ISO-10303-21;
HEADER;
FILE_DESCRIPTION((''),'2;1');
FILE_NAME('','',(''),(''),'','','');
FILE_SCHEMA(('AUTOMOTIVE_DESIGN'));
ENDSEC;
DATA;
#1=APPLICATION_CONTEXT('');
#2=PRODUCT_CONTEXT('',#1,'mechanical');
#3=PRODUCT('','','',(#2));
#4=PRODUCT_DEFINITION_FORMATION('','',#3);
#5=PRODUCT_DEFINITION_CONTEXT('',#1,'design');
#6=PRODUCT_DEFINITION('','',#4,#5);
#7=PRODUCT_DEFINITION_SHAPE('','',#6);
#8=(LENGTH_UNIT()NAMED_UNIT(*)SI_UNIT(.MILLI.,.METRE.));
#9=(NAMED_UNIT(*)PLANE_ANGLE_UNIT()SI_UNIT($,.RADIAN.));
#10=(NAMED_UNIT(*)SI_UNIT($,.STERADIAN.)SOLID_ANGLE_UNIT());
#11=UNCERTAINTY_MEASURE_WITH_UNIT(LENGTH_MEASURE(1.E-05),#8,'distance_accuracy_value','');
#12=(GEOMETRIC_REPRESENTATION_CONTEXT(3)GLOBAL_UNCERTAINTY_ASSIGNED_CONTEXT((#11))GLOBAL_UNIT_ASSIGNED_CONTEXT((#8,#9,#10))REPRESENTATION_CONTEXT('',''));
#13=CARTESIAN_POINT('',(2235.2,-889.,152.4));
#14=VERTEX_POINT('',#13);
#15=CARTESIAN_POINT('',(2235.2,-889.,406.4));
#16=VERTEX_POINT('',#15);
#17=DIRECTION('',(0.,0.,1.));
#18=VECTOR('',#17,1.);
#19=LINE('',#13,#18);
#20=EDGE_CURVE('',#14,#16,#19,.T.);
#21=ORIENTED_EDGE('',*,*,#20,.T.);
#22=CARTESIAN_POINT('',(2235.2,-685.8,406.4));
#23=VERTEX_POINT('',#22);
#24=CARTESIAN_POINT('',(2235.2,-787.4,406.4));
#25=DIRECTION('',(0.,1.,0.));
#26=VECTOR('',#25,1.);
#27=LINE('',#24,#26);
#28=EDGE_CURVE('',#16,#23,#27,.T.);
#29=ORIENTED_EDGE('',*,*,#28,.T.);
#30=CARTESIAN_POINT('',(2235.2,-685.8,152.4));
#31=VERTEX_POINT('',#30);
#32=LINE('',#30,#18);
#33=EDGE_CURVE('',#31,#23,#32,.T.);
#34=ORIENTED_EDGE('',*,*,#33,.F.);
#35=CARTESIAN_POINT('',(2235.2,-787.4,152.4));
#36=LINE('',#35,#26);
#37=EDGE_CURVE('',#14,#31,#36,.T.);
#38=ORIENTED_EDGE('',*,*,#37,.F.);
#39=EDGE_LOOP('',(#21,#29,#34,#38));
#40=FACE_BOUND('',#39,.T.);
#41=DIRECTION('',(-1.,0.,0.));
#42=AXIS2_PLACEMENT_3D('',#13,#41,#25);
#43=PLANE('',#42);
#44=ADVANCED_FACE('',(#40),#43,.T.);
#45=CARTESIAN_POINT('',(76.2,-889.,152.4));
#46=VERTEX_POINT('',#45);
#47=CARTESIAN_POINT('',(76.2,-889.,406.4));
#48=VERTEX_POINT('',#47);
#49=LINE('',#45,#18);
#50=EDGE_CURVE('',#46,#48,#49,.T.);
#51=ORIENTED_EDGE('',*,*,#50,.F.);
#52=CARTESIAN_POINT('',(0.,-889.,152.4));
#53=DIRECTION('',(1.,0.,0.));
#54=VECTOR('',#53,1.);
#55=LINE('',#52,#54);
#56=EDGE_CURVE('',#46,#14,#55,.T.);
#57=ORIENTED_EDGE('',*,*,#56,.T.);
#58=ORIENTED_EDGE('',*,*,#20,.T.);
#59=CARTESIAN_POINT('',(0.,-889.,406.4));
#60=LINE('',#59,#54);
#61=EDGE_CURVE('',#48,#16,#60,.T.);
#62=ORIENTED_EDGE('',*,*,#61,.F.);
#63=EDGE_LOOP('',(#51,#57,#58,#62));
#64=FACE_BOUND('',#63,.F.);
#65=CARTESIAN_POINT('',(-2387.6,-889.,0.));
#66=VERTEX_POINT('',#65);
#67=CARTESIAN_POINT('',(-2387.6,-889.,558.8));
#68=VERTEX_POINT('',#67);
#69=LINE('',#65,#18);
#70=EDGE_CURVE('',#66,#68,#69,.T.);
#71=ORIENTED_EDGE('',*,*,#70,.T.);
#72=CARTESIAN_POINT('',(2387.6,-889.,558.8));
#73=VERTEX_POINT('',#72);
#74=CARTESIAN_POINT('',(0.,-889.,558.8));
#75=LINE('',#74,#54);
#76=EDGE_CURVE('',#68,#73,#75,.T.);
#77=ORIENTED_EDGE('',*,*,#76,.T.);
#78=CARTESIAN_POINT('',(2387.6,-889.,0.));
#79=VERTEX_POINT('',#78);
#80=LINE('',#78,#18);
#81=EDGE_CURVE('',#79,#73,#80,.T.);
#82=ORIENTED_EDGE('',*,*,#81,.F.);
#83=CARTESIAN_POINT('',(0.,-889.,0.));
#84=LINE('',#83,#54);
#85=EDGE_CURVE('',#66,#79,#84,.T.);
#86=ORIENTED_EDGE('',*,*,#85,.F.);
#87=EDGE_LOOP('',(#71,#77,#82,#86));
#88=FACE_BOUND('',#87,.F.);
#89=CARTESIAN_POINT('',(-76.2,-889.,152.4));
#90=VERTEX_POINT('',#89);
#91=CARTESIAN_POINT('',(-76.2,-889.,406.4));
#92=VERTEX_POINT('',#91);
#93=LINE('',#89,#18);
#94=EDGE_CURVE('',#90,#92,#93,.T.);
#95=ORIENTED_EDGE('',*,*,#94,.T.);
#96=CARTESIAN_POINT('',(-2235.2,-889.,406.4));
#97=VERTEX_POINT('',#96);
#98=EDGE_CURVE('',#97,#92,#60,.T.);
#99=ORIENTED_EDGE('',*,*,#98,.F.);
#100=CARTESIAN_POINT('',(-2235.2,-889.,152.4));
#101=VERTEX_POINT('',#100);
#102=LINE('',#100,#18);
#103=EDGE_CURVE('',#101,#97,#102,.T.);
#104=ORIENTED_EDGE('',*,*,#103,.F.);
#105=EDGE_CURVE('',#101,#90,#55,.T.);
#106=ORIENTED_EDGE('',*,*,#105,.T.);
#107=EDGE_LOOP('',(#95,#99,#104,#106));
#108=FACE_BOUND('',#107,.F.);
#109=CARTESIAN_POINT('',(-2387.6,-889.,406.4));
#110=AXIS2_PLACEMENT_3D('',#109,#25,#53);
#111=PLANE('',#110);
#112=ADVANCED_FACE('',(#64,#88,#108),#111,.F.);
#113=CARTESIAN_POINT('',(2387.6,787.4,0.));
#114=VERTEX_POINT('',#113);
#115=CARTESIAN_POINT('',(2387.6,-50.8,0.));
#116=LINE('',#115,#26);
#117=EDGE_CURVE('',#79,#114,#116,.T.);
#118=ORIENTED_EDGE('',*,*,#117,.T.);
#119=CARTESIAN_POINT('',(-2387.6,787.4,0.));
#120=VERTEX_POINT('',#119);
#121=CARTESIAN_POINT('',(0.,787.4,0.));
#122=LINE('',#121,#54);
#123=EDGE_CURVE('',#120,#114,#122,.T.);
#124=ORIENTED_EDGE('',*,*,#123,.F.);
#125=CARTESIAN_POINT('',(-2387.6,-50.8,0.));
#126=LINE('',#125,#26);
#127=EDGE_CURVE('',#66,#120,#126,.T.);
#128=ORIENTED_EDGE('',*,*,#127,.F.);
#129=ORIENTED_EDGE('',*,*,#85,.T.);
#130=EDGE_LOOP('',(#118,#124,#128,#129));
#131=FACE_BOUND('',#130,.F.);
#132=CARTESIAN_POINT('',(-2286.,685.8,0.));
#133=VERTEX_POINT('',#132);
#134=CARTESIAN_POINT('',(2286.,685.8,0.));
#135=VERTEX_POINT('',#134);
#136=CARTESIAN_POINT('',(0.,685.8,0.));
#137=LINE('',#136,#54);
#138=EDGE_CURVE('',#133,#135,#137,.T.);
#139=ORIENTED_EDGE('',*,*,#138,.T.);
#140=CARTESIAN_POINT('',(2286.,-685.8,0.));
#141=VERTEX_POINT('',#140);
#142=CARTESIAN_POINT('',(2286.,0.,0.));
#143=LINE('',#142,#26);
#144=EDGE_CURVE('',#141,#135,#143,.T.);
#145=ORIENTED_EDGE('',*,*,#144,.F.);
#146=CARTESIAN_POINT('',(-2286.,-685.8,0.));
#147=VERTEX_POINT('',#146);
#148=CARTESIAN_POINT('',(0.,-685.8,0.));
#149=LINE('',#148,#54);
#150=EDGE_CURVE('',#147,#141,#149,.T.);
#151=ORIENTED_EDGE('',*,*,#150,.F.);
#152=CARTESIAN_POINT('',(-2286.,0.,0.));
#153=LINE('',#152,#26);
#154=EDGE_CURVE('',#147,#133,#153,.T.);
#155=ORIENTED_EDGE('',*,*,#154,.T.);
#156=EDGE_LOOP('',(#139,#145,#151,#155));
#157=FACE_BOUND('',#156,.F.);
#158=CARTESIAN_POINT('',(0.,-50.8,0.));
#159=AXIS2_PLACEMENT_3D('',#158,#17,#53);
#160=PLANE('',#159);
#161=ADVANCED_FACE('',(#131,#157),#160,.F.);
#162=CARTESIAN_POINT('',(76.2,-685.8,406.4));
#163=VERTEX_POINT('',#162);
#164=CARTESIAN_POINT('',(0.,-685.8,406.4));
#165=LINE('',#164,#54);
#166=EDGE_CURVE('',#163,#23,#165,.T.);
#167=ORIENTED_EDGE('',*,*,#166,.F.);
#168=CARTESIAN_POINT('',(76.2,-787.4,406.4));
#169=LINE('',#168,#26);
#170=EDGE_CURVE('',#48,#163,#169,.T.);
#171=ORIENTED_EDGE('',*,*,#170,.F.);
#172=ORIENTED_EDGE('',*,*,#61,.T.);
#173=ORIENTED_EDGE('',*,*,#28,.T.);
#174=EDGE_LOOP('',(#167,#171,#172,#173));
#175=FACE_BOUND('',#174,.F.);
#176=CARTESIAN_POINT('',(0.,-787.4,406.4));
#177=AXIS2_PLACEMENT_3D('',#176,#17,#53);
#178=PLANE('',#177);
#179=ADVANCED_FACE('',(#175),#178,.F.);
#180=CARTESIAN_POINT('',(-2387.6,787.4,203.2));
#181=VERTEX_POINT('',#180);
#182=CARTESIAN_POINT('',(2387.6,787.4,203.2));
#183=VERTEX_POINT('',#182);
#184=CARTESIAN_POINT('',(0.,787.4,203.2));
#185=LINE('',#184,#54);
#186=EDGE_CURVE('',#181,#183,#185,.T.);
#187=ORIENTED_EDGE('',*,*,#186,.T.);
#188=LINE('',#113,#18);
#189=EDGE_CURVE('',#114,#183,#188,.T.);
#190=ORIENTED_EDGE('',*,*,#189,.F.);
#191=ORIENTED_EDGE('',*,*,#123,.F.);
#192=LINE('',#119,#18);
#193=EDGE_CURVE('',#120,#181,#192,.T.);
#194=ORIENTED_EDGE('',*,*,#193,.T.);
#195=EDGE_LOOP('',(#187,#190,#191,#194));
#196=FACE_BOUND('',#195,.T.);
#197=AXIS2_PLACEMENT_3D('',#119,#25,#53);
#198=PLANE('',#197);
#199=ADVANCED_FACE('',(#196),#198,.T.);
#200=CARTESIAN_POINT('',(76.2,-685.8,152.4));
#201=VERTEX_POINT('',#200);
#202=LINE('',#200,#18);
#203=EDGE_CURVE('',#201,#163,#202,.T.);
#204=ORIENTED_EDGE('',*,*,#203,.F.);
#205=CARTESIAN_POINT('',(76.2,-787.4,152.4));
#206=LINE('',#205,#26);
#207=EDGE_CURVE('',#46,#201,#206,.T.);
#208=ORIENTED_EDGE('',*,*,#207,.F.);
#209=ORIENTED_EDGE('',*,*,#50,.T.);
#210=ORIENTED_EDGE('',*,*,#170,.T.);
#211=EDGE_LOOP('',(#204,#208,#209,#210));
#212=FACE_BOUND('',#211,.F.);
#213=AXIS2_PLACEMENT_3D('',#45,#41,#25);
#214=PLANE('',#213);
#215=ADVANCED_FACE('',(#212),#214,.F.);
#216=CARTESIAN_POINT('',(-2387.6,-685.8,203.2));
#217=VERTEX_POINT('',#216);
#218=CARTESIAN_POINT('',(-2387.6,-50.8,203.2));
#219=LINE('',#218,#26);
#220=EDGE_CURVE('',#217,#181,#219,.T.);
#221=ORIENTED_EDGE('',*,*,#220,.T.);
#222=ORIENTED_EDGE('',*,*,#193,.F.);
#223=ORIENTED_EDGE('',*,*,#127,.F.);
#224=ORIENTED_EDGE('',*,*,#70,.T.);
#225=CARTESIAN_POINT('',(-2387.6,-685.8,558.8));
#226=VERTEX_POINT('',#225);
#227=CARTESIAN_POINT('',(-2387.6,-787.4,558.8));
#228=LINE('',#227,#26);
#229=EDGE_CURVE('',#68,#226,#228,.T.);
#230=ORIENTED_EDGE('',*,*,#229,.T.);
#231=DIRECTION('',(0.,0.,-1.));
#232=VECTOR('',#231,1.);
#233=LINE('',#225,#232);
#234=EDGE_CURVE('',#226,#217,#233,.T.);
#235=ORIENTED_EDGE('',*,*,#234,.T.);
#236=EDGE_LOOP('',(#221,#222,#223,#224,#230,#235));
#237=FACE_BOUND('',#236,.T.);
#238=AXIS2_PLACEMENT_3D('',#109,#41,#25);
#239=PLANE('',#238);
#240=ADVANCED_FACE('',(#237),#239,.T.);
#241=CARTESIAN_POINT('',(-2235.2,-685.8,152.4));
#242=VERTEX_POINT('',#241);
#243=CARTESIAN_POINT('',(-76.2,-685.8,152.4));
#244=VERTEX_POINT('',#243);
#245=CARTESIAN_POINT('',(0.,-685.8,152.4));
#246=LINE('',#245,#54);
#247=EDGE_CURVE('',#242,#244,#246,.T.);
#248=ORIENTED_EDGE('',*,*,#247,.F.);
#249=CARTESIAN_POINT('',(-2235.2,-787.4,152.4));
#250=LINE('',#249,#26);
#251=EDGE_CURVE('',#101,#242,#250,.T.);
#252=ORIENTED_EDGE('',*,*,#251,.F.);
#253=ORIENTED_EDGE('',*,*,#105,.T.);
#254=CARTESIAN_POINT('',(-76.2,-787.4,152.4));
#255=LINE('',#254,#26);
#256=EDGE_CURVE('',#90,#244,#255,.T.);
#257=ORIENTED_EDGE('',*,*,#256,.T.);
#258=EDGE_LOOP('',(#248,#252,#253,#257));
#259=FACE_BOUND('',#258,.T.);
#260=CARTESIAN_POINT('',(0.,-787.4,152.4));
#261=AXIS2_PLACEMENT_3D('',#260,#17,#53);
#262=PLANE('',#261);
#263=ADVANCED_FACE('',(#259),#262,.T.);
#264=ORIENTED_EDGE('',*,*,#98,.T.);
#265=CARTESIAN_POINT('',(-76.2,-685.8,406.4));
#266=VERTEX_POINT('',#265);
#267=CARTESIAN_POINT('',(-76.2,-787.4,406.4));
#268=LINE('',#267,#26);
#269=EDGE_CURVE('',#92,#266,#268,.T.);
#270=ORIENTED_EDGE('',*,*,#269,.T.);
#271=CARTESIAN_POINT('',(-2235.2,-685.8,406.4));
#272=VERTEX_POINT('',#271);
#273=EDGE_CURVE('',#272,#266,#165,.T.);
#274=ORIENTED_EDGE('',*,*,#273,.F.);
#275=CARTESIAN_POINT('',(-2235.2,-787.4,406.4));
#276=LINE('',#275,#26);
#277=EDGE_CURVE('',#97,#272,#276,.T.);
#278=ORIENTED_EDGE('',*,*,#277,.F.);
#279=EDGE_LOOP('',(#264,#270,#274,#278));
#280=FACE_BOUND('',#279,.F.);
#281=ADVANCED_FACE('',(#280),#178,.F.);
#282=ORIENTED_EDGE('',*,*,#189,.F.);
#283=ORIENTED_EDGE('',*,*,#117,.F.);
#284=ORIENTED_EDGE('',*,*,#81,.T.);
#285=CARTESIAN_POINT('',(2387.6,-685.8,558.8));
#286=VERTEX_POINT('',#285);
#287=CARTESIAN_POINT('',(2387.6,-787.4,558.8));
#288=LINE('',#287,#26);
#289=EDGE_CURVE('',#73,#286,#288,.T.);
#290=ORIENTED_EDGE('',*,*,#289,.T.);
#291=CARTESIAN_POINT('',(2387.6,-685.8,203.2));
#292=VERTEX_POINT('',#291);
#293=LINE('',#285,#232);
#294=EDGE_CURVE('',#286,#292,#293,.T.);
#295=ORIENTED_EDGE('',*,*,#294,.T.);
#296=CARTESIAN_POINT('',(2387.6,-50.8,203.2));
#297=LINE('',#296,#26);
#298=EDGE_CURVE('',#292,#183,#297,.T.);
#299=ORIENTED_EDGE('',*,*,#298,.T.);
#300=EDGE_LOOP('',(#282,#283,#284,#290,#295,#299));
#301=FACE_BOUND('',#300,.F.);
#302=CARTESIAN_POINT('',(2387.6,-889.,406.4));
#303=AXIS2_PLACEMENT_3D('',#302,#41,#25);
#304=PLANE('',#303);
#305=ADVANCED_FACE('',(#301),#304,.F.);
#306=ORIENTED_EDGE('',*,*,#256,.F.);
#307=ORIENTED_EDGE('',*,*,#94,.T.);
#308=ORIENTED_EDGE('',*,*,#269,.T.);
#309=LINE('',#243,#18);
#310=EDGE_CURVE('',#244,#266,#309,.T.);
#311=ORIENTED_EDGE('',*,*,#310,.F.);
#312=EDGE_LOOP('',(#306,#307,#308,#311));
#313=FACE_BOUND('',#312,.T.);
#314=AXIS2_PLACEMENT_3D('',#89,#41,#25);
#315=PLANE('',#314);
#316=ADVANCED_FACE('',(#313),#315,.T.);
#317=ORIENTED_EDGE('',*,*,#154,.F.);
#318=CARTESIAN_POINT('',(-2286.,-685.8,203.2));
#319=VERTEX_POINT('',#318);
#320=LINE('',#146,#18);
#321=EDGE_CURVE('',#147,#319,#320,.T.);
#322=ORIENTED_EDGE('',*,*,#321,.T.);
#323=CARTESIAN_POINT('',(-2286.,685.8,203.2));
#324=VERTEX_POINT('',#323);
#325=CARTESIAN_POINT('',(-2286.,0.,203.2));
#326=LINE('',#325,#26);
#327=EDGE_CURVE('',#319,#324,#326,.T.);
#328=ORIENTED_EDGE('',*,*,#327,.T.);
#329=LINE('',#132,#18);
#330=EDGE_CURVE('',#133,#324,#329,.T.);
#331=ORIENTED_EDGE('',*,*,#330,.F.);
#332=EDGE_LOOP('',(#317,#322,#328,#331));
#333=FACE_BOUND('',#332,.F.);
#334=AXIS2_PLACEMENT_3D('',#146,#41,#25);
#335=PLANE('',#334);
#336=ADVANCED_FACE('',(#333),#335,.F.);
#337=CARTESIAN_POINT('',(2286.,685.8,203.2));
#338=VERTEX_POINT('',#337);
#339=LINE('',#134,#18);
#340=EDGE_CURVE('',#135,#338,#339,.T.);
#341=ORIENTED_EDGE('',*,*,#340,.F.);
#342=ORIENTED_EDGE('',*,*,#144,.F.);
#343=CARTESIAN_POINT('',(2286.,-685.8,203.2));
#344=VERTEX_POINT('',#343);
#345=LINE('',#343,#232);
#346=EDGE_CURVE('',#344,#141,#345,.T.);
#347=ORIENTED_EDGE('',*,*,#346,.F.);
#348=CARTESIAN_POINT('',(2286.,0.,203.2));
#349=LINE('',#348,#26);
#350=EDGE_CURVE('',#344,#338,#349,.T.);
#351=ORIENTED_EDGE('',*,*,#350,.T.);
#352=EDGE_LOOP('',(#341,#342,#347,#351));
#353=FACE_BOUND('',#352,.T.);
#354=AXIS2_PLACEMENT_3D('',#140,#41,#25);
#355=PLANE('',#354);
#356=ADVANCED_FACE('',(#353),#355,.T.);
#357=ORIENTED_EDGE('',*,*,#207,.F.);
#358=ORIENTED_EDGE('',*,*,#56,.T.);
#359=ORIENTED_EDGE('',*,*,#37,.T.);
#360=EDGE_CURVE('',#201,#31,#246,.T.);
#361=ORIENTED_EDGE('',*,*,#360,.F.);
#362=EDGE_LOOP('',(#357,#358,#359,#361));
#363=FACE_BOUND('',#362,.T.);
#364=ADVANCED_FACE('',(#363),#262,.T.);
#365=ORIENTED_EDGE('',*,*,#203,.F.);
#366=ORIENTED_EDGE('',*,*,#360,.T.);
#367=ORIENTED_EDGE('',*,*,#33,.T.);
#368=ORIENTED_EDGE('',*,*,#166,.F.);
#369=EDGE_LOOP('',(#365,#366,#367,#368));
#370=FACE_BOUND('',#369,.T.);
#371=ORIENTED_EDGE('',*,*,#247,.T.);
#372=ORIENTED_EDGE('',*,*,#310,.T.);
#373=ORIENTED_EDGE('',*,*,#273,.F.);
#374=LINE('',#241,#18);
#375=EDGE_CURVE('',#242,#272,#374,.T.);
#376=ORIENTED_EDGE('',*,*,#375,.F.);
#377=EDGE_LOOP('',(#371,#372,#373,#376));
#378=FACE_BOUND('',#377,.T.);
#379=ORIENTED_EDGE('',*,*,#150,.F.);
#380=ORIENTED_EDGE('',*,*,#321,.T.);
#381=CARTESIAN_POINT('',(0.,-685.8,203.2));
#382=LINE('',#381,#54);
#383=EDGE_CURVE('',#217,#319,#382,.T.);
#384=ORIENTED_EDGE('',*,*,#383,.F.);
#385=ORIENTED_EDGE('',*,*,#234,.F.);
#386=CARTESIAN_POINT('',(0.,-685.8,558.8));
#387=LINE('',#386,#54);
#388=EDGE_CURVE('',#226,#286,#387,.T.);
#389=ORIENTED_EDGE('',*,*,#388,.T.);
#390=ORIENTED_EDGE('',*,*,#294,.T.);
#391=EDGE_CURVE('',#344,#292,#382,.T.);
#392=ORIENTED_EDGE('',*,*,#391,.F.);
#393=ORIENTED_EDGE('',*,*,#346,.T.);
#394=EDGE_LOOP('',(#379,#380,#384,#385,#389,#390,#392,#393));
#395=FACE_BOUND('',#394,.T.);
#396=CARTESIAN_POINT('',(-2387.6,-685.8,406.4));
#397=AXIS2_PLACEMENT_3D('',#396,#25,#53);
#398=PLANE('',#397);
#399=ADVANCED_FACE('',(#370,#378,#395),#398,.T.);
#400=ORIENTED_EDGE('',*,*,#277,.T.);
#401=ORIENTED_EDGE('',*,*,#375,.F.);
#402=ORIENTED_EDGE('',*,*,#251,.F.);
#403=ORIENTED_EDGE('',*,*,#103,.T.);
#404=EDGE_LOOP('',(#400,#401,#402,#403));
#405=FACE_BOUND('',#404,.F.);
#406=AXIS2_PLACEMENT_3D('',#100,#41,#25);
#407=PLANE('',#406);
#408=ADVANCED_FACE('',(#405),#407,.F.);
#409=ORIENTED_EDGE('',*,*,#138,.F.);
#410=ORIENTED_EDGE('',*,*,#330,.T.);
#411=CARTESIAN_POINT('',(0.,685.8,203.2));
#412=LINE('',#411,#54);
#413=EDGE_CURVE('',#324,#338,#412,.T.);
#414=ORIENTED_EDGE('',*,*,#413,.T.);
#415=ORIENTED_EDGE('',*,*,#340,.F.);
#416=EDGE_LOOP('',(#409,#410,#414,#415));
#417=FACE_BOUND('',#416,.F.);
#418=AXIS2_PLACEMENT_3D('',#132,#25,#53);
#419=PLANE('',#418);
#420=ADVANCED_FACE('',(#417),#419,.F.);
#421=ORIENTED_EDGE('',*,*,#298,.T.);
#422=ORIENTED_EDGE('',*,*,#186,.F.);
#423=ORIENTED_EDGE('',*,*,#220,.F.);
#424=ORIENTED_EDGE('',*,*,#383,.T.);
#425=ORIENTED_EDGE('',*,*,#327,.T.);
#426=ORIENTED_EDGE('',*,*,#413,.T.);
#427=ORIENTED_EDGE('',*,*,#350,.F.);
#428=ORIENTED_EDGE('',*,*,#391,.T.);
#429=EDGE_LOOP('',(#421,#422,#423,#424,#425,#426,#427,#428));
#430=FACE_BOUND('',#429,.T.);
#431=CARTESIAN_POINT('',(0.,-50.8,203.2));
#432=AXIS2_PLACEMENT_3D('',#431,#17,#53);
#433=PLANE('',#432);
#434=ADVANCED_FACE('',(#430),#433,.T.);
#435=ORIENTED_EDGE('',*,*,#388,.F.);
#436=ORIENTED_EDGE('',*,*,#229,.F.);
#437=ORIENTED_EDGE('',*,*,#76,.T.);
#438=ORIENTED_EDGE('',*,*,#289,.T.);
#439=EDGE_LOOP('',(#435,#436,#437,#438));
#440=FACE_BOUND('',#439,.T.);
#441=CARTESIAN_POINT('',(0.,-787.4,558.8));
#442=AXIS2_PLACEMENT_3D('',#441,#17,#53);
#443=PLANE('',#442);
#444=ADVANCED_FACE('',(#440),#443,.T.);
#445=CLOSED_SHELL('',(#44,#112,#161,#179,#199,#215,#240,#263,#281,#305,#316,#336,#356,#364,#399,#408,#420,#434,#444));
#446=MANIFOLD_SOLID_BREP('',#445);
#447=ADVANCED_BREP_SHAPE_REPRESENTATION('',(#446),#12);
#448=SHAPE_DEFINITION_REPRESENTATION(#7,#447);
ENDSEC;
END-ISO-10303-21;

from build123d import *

# Parameters (mm, degrees)
F0_W     = 4775.2
F0_H     = 1676.4
F0_W_2   = 4572
F0_H_2   = 1371.6
F1_DEPTH = 203.2
F2_W     = 4775.2
F2_H     = 203.2
F3_DEPTH = 50.8
F4_W     = 152.4
F4_H     = 203.2
F5_DEPTH = 254
F6_W     = 4775.2
F6_H     = 203.2
F7_DEPTH = 152.4


with BuildPart() as f1:
    # F0 (on Top) → F1 (new body)
    with BuildSketch(Plane.XY):
        with Locations((0, -50.8)):
            Rectangle(F0_W, F0_H)
        Rectangle(F0_W_2, F0_H_2, mode=Mode.SUBTRACT)
    extrude(amount=F1_DEPTH)

    # F2 (on face) → F3 (cut)
    with BuildSketch(Plane.XY.offset(203.2)):
        with Locations((0, -787.4)):
            Rectangle(F2_W, F2_H)
    extrude(amount=-F3_DEPTH, mode=Mode.SUBTRACT)

    # F4 (on face) → F5 (join)
    with BuildSketch(Plane.XY.offset(152.4)):
        with Locations((-2311.4, -787.4)):
            Rectangle(F4_W, F4_H)
        with Locations((2311.4, -787.4)):
            Rectangle(F4_W, F4_H)
        with Locations((0, -787.4)):
            Rectangle(F4_W, F4_H)
    extrude(amount=F5_DEPTH)

    # F6 (on face) → F7 (join)
    with BuildSketch(Plane.XY.offset(406.4)):
        with Locations((0, -787.4)):
            Rectangle(F6_W, F6_H)
    extrude(amount=F7_DEPTH)


solid = f1.part
